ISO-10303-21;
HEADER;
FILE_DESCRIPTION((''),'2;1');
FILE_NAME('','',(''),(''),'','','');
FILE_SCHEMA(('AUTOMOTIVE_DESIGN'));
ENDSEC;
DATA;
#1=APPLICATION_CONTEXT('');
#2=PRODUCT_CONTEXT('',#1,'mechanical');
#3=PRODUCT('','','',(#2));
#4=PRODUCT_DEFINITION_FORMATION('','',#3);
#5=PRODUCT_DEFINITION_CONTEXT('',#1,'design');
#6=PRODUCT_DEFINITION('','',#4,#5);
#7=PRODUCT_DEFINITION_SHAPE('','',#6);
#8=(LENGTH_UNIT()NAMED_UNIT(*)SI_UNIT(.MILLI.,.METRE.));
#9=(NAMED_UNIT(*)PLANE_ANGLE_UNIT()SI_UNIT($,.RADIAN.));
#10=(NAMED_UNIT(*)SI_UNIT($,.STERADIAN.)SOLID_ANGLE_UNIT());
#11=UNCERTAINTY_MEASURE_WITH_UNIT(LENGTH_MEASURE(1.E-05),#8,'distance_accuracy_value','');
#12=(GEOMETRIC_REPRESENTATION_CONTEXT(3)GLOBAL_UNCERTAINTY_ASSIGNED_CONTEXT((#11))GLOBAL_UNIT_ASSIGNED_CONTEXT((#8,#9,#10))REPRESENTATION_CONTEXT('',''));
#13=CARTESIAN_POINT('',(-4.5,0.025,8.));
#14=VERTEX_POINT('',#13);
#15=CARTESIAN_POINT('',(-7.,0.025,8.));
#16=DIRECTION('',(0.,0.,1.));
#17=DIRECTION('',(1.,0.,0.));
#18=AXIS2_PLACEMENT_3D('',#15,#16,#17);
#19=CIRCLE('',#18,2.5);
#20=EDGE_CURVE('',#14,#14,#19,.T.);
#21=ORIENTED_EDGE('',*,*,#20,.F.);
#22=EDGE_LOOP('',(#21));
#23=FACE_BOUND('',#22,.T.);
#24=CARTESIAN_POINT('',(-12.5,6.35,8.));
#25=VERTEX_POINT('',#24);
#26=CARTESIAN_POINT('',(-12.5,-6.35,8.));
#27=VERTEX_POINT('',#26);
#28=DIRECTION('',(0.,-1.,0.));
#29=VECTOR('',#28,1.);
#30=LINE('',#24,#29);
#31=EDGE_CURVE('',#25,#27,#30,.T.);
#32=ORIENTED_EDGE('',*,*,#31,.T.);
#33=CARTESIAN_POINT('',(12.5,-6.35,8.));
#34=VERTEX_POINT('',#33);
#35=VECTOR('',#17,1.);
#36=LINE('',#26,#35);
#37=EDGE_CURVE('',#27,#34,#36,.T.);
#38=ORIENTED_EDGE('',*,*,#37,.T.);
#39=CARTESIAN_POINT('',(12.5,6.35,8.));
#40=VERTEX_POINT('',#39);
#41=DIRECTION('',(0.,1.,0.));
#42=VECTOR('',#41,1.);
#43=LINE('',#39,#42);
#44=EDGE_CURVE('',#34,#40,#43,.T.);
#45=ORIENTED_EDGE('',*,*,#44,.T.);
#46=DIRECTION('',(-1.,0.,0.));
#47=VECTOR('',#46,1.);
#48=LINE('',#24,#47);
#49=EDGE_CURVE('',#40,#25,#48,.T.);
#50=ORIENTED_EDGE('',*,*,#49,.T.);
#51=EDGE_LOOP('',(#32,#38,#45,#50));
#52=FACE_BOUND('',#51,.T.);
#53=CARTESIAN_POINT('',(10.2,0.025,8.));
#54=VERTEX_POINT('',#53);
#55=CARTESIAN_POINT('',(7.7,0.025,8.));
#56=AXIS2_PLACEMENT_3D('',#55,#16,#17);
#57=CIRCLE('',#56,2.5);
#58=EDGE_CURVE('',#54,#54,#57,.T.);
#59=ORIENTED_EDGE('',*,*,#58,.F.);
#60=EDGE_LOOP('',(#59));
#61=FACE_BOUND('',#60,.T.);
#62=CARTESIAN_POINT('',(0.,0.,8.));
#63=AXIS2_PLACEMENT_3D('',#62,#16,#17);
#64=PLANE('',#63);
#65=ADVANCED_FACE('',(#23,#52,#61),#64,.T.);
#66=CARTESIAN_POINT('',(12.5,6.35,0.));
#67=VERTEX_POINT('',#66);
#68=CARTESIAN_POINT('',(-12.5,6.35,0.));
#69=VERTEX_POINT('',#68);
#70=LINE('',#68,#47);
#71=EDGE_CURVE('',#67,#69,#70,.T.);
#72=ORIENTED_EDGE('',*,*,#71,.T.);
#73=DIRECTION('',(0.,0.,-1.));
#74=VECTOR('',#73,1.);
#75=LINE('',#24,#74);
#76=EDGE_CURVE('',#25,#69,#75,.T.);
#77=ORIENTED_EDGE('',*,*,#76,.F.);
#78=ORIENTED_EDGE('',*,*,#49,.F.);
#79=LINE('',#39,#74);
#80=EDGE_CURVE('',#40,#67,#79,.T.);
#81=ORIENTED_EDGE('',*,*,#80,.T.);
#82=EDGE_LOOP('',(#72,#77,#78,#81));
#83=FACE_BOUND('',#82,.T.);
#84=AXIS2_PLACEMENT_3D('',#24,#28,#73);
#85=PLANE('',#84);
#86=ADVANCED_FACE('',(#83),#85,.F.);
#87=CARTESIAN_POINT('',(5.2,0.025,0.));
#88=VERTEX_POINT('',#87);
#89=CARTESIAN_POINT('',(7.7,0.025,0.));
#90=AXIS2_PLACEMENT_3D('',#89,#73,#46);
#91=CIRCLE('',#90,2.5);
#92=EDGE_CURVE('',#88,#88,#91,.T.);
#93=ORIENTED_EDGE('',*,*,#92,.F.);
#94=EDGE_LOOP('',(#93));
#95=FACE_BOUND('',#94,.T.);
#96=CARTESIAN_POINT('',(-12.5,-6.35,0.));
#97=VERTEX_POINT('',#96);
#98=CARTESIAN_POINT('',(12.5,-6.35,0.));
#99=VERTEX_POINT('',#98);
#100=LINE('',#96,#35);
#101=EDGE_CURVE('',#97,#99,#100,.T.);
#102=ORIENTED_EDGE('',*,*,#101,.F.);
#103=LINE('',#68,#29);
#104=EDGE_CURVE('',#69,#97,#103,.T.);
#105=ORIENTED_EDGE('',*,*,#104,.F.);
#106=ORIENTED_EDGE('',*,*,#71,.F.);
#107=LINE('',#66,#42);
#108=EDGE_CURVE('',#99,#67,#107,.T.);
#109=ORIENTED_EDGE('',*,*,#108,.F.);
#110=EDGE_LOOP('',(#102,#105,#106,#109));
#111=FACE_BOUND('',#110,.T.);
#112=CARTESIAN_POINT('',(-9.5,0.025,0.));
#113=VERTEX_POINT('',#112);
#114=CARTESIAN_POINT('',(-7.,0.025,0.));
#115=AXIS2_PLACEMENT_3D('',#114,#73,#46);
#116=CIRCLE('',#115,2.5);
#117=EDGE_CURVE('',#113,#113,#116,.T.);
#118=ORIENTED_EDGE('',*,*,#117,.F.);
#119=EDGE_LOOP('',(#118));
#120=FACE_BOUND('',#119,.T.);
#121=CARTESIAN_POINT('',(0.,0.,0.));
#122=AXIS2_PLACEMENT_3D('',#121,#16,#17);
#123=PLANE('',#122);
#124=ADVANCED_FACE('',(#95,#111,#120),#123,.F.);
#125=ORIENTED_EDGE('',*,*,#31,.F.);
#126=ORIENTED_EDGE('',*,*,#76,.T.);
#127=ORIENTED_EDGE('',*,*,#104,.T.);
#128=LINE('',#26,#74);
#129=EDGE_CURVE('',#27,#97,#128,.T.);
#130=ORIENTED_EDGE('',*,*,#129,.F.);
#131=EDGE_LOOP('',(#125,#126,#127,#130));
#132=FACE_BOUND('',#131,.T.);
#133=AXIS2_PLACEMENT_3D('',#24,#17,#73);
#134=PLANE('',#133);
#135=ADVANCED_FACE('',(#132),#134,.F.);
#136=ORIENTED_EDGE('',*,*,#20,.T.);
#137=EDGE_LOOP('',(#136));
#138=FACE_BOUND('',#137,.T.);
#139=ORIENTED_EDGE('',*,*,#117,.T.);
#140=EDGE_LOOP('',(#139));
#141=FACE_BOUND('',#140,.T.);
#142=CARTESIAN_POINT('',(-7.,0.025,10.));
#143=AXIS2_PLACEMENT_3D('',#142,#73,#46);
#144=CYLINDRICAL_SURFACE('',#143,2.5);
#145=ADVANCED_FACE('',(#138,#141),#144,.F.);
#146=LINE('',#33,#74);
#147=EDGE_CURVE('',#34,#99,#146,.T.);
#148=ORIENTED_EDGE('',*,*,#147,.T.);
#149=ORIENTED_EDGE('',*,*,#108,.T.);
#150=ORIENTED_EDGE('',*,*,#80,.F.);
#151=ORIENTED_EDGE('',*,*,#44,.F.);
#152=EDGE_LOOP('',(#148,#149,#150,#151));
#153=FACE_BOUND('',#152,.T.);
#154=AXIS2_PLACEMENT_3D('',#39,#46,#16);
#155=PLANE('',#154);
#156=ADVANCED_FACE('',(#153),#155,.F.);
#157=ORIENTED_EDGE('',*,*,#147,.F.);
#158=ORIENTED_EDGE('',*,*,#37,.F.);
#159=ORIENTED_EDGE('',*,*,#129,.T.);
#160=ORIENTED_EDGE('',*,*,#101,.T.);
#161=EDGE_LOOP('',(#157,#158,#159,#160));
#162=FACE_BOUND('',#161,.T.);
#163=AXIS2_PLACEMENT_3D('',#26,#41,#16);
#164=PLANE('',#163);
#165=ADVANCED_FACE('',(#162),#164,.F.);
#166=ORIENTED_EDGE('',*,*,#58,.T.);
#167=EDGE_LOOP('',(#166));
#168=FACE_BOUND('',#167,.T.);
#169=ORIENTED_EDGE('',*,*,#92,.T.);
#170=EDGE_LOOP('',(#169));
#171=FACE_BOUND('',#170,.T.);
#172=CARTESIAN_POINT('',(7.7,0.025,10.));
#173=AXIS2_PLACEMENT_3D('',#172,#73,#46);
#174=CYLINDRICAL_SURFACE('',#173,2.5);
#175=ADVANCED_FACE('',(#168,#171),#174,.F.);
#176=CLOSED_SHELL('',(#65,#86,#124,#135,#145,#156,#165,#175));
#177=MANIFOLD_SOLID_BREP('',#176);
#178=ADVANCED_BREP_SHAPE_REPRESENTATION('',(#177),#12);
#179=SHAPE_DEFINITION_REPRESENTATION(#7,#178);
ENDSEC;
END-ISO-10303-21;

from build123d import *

# Parameters (mm, degrees)
ESQUISSE1_W             = 25
ESQUISSE1_H             = 12.7
BOSS_EXTRU_1_DEPTH      = 8
ESQUISSE2_R             = 2.5
ENL_V_MAT_EXTRU_1_DEPTH = 10


with BuildPart() as part:
    # Esquisse1 → Boss.-Extru.1 (new body)
    with BuildSketch(Plane.XY):
        Rectangle(ESQUISSE1_W, ESQUISSE1_H)
    extrude(amount=BOSS_EXTRU_1_DEPTH)

    # Esquisse2 → Enlèv. mat.-Extru.1 (cut)
    with BuildSketch(Plane(origin=(0, 0, 0), x_dir=(-1, 0, 0), z_dir=(0, 0, -1))):
        with Locations((-7.7, 0.025)):
            Circle(ESQUISSE2_R)
        with Locations((7, 0.025)):
            Circle(ESQUISSE2_R)
    extrude(amount=-ENL_V_MAT_EXTRU_1_DEPTH, mode=Mode.SUBTRACT)


solid = part.part
